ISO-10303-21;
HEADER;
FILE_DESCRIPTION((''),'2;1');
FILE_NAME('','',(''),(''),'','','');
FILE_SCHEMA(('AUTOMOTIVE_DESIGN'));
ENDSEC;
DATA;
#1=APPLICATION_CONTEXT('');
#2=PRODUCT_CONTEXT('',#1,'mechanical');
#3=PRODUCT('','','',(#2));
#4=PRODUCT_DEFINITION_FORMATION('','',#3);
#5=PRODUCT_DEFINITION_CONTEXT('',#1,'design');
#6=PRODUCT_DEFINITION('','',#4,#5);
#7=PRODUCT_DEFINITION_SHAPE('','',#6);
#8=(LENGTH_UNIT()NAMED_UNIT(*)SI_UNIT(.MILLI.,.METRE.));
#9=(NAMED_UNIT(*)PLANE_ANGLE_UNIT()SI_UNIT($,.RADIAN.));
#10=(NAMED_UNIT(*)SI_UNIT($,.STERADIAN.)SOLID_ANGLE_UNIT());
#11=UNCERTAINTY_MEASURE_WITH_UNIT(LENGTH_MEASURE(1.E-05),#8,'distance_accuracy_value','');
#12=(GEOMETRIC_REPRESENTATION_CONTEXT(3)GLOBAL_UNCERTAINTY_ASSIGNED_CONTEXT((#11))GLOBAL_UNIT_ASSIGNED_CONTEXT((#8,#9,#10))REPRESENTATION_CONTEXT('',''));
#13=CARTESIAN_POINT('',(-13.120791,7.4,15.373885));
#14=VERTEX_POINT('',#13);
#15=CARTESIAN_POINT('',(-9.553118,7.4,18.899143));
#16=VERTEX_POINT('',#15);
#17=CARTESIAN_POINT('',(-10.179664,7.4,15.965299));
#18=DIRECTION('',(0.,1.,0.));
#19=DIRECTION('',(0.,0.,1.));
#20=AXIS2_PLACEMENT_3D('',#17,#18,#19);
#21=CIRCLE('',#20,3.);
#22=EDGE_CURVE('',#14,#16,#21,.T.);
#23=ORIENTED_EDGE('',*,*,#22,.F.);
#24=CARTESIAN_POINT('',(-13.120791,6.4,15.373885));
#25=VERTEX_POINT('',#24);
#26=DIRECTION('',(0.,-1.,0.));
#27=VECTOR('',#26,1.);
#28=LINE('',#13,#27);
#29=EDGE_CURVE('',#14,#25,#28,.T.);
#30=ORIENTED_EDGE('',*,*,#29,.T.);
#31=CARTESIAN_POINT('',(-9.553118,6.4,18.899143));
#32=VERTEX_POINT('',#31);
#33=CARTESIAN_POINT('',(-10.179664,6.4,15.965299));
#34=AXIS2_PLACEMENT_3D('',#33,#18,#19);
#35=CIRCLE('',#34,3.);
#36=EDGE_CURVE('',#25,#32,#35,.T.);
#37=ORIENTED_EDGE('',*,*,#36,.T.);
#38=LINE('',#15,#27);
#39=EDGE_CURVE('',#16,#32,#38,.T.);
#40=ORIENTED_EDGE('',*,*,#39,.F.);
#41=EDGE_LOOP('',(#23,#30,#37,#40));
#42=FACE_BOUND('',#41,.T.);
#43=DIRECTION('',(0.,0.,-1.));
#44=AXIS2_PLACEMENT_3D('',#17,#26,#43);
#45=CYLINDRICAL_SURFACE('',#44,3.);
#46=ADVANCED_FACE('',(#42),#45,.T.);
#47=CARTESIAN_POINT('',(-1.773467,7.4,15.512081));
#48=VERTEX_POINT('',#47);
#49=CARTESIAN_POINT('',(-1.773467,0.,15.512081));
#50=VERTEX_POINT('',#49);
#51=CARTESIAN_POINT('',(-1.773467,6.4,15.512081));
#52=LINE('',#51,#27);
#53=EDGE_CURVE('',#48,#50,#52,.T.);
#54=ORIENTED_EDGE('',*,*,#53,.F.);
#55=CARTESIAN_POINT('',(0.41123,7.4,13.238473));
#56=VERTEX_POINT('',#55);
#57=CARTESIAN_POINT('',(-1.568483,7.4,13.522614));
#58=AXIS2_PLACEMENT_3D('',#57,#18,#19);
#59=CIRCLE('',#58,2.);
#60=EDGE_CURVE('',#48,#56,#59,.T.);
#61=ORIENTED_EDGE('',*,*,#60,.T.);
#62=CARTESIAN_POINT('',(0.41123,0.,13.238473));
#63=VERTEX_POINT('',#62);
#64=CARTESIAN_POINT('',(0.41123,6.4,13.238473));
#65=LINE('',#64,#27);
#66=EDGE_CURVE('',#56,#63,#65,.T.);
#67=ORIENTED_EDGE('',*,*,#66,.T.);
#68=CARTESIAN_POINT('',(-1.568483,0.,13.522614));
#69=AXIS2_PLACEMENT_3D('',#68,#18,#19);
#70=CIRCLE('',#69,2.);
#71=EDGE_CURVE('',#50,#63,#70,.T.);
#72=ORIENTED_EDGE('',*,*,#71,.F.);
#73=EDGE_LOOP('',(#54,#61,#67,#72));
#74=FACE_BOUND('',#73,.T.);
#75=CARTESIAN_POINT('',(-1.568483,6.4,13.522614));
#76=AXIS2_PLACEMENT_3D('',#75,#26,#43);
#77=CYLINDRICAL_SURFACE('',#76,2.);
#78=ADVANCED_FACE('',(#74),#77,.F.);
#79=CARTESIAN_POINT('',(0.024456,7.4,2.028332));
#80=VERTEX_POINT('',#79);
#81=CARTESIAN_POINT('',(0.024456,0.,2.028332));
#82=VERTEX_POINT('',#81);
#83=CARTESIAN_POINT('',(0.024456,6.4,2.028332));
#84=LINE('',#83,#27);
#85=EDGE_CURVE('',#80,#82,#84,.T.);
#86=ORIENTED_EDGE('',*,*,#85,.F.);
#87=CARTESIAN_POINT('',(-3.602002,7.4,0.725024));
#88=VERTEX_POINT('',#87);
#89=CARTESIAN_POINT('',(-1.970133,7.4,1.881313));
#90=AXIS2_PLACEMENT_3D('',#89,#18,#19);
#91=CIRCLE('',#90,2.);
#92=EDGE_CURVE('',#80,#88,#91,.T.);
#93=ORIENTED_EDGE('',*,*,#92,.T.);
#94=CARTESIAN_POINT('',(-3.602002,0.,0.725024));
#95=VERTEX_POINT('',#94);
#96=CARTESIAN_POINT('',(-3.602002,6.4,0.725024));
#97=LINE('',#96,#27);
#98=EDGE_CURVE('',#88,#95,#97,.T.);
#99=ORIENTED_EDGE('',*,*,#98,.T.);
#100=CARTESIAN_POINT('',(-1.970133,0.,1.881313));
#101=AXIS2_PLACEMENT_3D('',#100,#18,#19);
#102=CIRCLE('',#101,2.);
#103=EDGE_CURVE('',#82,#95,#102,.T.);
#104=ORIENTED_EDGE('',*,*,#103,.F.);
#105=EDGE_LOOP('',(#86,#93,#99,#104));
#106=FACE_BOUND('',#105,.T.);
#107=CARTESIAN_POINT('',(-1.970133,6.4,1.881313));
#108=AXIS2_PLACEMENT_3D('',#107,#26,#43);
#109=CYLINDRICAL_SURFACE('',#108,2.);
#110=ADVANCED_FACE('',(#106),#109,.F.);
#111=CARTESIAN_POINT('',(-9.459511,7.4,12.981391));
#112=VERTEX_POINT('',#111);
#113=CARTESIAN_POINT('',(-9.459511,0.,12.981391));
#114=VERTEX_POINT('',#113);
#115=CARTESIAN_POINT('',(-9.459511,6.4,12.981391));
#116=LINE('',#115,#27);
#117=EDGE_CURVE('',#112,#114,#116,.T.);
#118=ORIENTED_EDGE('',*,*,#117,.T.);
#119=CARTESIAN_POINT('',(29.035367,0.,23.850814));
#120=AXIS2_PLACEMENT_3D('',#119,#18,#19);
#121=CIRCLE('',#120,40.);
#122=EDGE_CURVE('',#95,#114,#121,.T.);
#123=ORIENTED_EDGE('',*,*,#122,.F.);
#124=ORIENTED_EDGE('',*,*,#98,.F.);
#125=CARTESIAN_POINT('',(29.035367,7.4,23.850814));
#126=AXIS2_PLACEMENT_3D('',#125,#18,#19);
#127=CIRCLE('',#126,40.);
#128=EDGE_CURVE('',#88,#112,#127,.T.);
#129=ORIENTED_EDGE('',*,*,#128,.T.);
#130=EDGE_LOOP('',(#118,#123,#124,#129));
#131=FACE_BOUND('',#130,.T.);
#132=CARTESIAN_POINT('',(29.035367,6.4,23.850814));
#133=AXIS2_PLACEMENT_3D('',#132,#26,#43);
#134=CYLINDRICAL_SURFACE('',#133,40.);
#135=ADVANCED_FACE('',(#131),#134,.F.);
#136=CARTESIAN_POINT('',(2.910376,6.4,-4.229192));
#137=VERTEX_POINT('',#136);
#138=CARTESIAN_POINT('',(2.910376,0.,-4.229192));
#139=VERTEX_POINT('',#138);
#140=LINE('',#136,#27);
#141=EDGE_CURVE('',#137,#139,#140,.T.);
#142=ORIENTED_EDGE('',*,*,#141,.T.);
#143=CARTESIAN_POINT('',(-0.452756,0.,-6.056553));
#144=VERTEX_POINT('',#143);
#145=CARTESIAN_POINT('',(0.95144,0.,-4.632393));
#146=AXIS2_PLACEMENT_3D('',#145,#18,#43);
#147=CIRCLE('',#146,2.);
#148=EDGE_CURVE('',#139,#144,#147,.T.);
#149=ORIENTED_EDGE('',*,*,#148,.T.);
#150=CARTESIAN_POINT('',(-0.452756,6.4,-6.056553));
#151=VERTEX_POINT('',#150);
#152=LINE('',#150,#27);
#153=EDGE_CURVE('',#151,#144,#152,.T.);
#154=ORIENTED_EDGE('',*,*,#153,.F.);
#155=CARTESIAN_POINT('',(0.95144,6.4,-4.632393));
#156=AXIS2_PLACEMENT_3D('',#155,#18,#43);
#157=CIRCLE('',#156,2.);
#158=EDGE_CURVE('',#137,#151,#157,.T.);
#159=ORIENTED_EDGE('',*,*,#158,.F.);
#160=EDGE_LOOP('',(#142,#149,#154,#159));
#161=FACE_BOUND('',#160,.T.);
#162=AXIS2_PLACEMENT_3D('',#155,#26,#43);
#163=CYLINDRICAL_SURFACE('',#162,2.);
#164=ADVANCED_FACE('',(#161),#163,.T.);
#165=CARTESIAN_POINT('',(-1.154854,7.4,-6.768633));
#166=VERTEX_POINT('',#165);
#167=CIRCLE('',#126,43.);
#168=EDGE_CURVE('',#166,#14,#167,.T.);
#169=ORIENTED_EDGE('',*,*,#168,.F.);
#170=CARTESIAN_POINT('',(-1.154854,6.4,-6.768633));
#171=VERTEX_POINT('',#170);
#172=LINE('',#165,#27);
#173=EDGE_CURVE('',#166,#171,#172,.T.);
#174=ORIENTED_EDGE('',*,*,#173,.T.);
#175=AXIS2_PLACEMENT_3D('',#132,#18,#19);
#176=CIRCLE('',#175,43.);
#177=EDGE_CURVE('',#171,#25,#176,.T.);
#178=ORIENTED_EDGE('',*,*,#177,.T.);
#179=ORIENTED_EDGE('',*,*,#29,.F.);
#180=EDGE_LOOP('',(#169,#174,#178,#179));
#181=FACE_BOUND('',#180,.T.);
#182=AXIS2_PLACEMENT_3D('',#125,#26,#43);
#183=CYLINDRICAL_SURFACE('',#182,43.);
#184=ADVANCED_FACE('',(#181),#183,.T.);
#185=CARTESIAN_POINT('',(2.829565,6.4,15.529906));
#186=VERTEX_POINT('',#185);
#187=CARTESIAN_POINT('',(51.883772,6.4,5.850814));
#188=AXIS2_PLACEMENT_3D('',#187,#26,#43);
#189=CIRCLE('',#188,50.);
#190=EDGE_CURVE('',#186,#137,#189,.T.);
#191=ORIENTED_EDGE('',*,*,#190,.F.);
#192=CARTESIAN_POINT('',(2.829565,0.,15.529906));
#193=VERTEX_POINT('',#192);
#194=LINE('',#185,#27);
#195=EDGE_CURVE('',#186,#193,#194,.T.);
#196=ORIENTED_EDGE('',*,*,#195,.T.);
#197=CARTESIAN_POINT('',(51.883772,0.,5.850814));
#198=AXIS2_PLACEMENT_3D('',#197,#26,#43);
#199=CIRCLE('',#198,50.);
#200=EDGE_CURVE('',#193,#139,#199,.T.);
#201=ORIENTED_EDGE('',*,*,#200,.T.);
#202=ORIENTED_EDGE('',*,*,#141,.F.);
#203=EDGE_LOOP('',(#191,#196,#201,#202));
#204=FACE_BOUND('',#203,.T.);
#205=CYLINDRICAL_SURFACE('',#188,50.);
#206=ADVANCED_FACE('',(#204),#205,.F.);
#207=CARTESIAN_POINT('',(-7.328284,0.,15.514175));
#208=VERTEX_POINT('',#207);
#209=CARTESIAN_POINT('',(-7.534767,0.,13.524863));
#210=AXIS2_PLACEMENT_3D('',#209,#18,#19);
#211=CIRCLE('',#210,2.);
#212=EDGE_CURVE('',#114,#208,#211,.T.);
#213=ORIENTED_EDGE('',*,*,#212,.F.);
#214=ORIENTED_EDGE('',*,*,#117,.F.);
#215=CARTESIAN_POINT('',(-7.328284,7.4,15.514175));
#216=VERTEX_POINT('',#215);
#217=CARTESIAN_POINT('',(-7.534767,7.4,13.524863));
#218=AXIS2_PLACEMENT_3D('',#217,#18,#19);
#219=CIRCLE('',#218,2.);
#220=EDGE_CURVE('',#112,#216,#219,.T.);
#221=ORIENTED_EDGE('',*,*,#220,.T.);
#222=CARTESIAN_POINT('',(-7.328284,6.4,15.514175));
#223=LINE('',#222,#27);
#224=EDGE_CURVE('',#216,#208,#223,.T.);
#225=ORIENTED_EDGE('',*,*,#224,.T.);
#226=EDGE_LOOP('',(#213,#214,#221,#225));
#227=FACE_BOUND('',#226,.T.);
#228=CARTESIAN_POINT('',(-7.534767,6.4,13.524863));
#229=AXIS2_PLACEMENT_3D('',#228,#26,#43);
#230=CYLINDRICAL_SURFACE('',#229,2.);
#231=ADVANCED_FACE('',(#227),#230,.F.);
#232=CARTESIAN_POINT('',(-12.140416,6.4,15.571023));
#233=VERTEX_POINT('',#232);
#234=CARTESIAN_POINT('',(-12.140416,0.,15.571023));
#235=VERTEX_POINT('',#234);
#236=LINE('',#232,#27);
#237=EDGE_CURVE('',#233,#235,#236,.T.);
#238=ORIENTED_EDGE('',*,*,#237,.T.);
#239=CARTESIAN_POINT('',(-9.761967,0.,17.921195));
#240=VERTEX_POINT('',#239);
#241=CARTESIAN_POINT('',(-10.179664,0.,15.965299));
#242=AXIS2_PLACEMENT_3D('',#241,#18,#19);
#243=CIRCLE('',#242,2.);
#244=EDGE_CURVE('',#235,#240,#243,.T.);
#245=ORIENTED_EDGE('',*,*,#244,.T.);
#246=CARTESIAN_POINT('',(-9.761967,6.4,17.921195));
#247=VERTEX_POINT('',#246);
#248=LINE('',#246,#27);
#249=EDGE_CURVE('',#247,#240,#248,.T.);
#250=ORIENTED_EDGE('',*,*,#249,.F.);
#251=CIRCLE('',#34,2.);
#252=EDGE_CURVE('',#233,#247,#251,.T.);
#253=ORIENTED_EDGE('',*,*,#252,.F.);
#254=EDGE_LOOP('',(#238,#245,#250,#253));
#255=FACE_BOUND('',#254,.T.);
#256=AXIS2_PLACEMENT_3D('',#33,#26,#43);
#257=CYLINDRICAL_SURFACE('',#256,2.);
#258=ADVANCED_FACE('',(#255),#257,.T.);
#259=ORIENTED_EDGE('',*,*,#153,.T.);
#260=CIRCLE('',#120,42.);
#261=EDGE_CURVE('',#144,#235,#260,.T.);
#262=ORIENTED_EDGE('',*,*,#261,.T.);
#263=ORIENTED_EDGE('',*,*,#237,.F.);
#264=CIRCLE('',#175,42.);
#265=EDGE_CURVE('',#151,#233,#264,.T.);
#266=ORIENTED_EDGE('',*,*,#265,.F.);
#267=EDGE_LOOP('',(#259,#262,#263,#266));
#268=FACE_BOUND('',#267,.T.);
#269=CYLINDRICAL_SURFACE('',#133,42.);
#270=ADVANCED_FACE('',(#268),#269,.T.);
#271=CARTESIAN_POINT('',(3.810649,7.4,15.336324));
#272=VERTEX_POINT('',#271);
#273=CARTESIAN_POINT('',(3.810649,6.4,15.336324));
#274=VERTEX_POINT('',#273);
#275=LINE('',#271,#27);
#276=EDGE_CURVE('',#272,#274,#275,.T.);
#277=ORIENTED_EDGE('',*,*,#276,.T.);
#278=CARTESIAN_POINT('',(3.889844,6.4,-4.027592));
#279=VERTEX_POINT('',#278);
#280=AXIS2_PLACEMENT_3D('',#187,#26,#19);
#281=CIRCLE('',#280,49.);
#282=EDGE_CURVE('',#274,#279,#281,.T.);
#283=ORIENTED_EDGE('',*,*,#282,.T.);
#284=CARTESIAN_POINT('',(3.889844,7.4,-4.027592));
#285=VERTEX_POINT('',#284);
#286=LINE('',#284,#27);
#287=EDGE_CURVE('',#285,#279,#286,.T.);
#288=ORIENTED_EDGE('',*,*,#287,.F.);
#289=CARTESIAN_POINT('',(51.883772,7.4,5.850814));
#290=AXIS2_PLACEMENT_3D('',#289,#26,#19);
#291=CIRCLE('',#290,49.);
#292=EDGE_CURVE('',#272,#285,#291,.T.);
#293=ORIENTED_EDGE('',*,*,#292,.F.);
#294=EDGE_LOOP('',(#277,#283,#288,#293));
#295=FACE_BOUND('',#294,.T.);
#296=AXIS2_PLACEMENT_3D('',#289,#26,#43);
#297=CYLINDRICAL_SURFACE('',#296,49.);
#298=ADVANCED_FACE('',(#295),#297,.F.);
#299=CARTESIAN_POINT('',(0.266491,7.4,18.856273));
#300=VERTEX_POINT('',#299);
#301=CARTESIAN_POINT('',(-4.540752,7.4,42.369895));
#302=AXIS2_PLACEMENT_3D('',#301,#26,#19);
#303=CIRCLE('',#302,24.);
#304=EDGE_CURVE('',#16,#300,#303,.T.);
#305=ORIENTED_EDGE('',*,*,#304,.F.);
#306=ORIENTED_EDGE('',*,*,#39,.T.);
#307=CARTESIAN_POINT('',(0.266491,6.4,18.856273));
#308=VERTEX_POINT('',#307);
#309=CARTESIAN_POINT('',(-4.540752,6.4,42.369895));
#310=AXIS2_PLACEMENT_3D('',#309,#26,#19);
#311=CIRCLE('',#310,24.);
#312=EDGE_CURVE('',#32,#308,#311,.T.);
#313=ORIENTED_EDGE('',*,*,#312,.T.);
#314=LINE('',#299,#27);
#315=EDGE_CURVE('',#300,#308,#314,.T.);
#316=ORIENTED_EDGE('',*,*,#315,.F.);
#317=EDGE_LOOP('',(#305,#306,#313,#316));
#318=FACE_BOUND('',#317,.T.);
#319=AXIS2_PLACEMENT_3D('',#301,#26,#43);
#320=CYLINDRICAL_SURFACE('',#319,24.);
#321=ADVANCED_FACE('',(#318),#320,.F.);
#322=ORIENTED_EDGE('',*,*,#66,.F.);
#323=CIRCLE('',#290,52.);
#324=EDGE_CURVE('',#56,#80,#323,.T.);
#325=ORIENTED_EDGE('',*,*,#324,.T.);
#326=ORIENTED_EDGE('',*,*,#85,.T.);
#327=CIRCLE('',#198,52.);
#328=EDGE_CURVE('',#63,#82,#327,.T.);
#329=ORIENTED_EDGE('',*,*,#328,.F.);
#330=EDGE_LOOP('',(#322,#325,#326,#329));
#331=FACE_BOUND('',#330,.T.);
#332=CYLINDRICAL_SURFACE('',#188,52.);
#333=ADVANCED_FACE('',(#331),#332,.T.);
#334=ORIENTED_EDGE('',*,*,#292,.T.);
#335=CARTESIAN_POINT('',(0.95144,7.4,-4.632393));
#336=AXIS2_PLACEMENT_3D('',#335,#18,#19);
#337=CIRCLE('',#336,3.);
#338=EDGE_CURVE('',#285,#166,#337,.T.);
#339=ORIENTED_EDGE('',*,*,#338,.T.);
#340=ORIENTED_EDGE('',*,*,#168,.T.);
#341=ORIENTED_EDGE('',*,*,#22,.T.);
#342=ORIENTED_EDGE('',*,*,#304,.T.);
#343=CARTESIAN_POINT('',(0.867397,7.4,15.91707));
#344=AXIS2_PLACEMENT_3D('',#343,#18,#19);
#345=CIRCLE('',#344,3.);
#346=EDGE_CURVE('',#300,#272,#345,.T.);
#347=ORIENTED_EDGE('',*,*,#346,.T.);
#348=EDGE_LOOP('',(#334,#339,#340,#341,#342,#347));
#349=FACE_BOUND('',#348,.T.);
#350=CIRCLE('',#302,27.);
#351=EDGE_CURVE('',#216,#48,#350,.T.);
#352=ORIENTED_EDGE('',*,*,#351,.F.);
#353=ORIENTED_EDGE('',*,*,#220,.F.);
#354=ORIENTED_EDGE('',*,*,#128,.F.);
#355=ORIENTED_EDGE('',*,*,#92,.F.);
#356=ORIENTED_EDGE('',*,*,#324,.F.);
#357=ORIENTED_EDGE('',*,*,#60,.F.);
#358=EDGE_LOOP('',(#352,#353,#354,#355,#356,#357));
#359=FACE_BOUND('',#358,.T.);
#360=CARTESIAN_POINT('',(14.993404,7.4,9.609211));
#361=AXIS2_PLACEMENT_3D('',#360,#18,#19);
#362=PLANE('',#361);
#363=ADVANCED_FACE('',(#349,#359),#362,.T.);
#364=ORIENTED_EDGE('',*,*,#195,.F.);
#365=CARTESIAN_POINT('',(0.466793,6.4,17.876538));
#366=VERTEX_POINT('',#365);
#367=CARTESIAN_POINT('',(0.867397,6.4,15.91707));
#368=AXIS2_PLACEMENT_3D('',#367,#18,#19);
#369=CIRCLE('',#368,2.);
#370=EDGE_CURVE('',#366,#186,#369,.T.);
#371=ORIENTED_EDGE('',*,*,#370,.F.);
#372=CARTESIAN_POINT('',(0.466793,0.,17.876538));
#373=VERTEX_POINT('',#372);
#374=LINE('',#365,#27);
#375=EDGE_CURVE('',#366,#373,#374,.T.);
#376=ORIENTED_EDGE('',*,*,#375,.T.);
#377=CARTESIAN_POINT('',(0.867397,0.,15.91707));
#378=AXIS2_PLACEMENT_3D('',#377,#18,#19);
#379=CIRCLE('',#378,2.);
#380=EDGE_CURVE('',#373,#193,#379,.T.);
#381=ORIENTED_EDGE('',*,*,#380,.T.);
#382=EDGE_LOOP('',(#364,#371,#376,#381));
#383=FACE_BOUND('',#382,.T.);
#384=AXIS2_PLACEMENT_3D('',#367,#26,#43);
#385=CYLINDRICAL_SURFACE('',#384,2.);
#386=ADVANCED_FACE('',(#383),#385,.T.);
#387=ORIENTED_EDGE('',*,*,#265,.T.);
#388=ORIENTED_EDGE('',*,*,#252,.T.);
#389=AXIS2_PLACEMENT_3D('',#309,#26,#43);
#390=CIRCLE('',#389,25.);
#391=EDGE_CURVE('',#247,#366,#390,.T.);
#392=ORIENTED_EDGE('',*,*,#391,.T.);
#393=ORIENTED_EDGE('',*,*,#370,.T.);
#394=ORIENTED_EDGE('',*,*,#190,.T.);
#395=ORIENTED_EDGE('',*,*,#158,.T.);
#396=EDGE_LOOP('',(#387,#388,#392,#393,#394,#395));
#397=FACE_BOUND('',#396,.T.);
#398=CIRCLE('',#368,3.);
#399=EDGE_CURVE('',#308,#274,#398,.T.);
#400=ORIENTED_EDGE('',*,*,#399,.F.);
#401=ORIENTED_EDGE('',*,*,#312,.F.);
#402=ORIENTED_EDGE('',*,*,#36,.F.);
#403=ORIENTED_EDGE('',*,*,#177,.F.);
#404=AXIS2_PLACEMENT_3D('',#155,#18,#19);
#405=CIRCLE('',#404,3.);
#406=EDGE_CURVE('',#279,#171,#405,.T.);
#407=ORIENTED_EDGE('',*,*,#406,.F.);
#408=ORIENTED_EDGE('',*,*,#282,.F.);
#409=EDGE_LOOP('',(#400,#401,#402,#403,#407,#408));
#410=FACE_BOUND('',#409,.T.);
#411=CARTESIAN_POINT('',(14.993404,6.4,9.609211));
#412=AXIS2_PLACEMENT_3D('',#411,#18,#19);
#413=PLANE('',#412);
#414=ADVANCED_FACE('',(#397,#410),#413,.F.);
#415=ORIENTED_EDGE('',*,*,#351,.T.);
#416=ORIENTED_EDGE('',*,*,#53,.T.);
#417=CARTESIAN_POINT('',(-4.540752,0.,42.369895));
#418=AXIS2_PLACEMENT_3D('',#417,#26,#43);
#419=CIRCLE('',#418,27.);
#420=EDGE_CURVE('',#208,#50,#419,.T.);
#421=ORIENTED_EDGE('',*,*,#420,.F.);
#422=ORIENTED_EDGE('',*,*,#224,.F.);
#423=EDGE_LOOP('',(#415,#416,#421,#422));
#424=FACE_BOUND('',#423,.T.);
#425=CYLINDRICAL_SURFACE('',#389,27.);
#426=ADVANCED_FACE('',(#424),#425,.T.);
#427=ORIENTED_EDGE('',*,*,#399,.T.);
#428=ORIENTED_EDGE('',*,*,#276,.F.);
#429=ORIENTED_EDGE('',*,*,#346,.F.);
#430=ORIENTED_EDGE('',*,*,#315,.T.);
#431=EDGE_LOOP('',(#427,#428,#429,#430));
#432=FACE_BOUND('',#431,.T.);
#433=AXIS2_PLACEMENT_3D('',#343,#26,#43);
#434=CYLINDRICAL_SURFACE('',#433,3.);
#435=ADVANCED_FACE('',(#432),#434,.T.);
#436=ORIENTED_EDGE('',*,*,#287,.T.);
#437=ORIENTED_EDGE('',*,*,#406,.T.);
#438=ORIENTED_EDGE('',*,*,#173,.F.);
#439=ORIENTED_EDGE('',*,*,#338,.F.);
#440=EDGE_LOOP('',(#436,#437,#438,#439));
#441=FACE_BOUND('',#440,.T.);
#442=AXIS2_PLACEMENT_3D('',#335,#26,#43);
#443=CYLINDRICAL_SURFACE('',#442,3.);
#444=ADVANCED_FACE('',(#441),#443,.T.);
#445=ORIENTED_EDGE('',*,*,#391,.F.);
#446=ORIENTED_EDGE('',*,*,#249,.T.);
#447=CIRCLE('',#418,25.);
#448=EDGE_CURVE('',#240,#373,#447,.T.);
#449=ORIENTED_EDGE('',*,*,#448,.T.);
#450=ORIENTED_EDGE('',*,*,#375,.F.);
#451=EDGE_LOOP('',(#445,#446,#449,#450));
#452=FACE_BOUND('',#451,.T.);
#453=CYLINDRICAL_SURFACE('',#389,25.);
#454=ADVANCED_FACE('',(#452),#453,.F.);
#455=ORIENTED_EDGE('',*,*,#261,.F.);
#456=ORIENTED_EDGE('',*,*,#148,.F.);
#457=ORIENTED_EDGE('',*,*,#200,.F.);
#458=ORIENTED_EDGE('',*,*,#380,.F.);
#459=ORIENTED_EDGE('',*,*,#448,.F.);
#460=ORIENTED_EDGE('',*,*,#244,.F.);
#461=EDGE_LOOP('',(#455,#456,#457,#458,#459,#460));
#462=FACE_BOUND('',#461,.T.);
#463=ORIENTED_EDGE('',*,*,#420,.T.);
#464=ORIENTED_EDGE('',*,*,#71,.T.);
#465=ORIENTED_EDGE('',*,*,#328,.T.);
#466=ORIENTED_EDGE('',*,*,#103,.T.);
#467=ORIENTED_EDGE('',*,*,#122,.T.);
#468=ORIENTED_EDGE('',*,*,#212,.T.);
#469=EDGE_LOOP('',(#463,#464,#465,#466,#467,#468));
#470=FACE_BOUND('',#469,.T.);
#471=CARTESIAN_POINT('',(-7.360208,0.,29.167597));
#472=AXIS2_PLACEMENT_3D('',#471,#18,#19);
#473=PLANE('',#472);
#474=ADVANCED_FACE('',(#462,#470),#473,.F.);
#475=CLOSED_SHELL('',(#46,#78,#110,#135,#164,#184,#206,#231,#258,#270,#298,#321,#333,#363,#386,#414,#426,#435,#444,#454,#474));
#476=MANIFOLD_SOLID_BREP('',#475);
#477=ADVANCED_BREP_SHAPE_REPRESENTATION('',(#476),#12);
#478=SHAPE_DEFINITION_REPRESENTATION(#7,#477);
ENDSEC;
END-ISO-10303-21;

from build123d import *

# Parameters (mm, degrees)
EXTRUDE_1_DEPTH = 6.4
EXTRUDE_2_DEPTH = 1


with BuildPart() as part:
    # 草图1 → 凸台-拉伸1 (new body)
    with BuildSketch(Plane(origin=(0, 0, 0), x_dir=(1, 0, 0), z_dir=(0, 1, 0))):
        with BuildLine():
            ThreePointArc((2.829565104, -15.529906263), (1.88418981, -5.646325328), (2.910376158, 4.229192286))
            ThreePointArc((2.910376158, 4.229192286), (1.906294085, 6.389735523), (-0.452755984, 6.056552897))
            ThreePointArc((-0.452755984, 6.056552897), (-7.914394861, -3.882962322), (-12.140415639, -15.571023149))
            ThreePointArc((-12.140415639, -15.571023149), (-11.58539557, -17.387944), (-9.761966891, -17.92119489))
            ThreePointArc((-9.761966891, -17.92119489), (-4.64989516, -17.37013276), (0.466793237, -17.876538427))
            ThreePointArc((0.466793237, -17.876538427), (2.276755445, -17.336121852), (2.829565104, -15.529906263))
        make_face()
        with BuildLine():
            ThreePointArc((-3.602001562, -0.725023821), (-7.054850169, -6.602735021), (-9.459511378, -12.981391378))
            ThreePointArc((-9.459511378, -12.981391378), (-9.06507879, -14.812553198), (-7.328283633, -15.514175078))
            ThreePointArc((-7.328283633, -15.514175078), (-4.550929201, -15.369896432), (-1.773466789, -15.512081246))
            ThreePointArc((-1.773466789, -15.512081246), (-0.126352502, -14.908348224), (0.411230412, -13.238472884))
            ThreePointArc((0.411230412, -13.238472884), (-0.085305514, -7.64386169), (0.024455921, -2.028331904))
            ThreePointArc((0.024455921, -2.028331904), (-1.293712746, 0.000827838), (-3.602001562, -0.725023821))
        make_face(mode=Mode.SUBTRACT)
    extrude(amount=EXTRUDE_1_DEPTH)

    # 草图2 → 凸台-拉伸2 (add)
    with BuildSketch(Plane(origin=(0, 6.4, 0), x_dir=(1, 0, 0), z_dir=(0, 1, 0))):
        with BuildLine():
            ThreePointArc((3.889844067, 4.027592153), (2.884181446, -5.650415109), (3.810649235, -15.336324425))
            ThreePointArc((3.810649235, -15.336324425), (2.981434747, -18.045647807), (0.266491434, -18.85627267))
            ThreePointArc((0.266491434, -18.85627267), (-4.645529427, -18.370123231), (-9.553118288, -18.899142875))
            ThreePointArc((-9.553118288, -18.899142875), (-12.288261307, -18.09926654), (-13.120791411, -15.373885263))
            ThreePointArc((-13.120791411, -15.373885263), (-8.794151091, -3.407537273), (-1.154854145, 6.768633069))
            ThreePointArc((-1.154854145, 6.768633069), (2.383720959, 7.268407009), (3.889844067, 4.027592153))
        make_face()
        with BuildLine():
            ThreePointArc((0.024455921, -2.028331904), (-0.085305514, -7.64386169), (0.411230412, -13.238472884))
            ThreePointArc((0.411230412, -13.238472884), (-0.126352502, -14.908348224), (-1.773466789, -15.512081246))
            ThreePointArc((-1.773466789, -15.512081246), (-4.550929201, -15.369896432), (-7.328283633, -15.514175078))
            ThreePointArc((-7.328283633, -15.514175078), (-9.06507879, -14.812553198), (-9.459511378, -12.981391378))
            ThreePointArc((-9.459511378, -12.981391378), (-7.054850169, -6.602735021), (-3.602001562, -0.725023821))
            ThreePointArc((-3.602001562, -0.725023821), (-1.293712746, 0.000827838), (0.024455921, -2.028331904))
        make_face(mode=Mode.SUBTRACT)
    extrude(amount=EXTRUDE_2_DEPTH)


solid = part.part
